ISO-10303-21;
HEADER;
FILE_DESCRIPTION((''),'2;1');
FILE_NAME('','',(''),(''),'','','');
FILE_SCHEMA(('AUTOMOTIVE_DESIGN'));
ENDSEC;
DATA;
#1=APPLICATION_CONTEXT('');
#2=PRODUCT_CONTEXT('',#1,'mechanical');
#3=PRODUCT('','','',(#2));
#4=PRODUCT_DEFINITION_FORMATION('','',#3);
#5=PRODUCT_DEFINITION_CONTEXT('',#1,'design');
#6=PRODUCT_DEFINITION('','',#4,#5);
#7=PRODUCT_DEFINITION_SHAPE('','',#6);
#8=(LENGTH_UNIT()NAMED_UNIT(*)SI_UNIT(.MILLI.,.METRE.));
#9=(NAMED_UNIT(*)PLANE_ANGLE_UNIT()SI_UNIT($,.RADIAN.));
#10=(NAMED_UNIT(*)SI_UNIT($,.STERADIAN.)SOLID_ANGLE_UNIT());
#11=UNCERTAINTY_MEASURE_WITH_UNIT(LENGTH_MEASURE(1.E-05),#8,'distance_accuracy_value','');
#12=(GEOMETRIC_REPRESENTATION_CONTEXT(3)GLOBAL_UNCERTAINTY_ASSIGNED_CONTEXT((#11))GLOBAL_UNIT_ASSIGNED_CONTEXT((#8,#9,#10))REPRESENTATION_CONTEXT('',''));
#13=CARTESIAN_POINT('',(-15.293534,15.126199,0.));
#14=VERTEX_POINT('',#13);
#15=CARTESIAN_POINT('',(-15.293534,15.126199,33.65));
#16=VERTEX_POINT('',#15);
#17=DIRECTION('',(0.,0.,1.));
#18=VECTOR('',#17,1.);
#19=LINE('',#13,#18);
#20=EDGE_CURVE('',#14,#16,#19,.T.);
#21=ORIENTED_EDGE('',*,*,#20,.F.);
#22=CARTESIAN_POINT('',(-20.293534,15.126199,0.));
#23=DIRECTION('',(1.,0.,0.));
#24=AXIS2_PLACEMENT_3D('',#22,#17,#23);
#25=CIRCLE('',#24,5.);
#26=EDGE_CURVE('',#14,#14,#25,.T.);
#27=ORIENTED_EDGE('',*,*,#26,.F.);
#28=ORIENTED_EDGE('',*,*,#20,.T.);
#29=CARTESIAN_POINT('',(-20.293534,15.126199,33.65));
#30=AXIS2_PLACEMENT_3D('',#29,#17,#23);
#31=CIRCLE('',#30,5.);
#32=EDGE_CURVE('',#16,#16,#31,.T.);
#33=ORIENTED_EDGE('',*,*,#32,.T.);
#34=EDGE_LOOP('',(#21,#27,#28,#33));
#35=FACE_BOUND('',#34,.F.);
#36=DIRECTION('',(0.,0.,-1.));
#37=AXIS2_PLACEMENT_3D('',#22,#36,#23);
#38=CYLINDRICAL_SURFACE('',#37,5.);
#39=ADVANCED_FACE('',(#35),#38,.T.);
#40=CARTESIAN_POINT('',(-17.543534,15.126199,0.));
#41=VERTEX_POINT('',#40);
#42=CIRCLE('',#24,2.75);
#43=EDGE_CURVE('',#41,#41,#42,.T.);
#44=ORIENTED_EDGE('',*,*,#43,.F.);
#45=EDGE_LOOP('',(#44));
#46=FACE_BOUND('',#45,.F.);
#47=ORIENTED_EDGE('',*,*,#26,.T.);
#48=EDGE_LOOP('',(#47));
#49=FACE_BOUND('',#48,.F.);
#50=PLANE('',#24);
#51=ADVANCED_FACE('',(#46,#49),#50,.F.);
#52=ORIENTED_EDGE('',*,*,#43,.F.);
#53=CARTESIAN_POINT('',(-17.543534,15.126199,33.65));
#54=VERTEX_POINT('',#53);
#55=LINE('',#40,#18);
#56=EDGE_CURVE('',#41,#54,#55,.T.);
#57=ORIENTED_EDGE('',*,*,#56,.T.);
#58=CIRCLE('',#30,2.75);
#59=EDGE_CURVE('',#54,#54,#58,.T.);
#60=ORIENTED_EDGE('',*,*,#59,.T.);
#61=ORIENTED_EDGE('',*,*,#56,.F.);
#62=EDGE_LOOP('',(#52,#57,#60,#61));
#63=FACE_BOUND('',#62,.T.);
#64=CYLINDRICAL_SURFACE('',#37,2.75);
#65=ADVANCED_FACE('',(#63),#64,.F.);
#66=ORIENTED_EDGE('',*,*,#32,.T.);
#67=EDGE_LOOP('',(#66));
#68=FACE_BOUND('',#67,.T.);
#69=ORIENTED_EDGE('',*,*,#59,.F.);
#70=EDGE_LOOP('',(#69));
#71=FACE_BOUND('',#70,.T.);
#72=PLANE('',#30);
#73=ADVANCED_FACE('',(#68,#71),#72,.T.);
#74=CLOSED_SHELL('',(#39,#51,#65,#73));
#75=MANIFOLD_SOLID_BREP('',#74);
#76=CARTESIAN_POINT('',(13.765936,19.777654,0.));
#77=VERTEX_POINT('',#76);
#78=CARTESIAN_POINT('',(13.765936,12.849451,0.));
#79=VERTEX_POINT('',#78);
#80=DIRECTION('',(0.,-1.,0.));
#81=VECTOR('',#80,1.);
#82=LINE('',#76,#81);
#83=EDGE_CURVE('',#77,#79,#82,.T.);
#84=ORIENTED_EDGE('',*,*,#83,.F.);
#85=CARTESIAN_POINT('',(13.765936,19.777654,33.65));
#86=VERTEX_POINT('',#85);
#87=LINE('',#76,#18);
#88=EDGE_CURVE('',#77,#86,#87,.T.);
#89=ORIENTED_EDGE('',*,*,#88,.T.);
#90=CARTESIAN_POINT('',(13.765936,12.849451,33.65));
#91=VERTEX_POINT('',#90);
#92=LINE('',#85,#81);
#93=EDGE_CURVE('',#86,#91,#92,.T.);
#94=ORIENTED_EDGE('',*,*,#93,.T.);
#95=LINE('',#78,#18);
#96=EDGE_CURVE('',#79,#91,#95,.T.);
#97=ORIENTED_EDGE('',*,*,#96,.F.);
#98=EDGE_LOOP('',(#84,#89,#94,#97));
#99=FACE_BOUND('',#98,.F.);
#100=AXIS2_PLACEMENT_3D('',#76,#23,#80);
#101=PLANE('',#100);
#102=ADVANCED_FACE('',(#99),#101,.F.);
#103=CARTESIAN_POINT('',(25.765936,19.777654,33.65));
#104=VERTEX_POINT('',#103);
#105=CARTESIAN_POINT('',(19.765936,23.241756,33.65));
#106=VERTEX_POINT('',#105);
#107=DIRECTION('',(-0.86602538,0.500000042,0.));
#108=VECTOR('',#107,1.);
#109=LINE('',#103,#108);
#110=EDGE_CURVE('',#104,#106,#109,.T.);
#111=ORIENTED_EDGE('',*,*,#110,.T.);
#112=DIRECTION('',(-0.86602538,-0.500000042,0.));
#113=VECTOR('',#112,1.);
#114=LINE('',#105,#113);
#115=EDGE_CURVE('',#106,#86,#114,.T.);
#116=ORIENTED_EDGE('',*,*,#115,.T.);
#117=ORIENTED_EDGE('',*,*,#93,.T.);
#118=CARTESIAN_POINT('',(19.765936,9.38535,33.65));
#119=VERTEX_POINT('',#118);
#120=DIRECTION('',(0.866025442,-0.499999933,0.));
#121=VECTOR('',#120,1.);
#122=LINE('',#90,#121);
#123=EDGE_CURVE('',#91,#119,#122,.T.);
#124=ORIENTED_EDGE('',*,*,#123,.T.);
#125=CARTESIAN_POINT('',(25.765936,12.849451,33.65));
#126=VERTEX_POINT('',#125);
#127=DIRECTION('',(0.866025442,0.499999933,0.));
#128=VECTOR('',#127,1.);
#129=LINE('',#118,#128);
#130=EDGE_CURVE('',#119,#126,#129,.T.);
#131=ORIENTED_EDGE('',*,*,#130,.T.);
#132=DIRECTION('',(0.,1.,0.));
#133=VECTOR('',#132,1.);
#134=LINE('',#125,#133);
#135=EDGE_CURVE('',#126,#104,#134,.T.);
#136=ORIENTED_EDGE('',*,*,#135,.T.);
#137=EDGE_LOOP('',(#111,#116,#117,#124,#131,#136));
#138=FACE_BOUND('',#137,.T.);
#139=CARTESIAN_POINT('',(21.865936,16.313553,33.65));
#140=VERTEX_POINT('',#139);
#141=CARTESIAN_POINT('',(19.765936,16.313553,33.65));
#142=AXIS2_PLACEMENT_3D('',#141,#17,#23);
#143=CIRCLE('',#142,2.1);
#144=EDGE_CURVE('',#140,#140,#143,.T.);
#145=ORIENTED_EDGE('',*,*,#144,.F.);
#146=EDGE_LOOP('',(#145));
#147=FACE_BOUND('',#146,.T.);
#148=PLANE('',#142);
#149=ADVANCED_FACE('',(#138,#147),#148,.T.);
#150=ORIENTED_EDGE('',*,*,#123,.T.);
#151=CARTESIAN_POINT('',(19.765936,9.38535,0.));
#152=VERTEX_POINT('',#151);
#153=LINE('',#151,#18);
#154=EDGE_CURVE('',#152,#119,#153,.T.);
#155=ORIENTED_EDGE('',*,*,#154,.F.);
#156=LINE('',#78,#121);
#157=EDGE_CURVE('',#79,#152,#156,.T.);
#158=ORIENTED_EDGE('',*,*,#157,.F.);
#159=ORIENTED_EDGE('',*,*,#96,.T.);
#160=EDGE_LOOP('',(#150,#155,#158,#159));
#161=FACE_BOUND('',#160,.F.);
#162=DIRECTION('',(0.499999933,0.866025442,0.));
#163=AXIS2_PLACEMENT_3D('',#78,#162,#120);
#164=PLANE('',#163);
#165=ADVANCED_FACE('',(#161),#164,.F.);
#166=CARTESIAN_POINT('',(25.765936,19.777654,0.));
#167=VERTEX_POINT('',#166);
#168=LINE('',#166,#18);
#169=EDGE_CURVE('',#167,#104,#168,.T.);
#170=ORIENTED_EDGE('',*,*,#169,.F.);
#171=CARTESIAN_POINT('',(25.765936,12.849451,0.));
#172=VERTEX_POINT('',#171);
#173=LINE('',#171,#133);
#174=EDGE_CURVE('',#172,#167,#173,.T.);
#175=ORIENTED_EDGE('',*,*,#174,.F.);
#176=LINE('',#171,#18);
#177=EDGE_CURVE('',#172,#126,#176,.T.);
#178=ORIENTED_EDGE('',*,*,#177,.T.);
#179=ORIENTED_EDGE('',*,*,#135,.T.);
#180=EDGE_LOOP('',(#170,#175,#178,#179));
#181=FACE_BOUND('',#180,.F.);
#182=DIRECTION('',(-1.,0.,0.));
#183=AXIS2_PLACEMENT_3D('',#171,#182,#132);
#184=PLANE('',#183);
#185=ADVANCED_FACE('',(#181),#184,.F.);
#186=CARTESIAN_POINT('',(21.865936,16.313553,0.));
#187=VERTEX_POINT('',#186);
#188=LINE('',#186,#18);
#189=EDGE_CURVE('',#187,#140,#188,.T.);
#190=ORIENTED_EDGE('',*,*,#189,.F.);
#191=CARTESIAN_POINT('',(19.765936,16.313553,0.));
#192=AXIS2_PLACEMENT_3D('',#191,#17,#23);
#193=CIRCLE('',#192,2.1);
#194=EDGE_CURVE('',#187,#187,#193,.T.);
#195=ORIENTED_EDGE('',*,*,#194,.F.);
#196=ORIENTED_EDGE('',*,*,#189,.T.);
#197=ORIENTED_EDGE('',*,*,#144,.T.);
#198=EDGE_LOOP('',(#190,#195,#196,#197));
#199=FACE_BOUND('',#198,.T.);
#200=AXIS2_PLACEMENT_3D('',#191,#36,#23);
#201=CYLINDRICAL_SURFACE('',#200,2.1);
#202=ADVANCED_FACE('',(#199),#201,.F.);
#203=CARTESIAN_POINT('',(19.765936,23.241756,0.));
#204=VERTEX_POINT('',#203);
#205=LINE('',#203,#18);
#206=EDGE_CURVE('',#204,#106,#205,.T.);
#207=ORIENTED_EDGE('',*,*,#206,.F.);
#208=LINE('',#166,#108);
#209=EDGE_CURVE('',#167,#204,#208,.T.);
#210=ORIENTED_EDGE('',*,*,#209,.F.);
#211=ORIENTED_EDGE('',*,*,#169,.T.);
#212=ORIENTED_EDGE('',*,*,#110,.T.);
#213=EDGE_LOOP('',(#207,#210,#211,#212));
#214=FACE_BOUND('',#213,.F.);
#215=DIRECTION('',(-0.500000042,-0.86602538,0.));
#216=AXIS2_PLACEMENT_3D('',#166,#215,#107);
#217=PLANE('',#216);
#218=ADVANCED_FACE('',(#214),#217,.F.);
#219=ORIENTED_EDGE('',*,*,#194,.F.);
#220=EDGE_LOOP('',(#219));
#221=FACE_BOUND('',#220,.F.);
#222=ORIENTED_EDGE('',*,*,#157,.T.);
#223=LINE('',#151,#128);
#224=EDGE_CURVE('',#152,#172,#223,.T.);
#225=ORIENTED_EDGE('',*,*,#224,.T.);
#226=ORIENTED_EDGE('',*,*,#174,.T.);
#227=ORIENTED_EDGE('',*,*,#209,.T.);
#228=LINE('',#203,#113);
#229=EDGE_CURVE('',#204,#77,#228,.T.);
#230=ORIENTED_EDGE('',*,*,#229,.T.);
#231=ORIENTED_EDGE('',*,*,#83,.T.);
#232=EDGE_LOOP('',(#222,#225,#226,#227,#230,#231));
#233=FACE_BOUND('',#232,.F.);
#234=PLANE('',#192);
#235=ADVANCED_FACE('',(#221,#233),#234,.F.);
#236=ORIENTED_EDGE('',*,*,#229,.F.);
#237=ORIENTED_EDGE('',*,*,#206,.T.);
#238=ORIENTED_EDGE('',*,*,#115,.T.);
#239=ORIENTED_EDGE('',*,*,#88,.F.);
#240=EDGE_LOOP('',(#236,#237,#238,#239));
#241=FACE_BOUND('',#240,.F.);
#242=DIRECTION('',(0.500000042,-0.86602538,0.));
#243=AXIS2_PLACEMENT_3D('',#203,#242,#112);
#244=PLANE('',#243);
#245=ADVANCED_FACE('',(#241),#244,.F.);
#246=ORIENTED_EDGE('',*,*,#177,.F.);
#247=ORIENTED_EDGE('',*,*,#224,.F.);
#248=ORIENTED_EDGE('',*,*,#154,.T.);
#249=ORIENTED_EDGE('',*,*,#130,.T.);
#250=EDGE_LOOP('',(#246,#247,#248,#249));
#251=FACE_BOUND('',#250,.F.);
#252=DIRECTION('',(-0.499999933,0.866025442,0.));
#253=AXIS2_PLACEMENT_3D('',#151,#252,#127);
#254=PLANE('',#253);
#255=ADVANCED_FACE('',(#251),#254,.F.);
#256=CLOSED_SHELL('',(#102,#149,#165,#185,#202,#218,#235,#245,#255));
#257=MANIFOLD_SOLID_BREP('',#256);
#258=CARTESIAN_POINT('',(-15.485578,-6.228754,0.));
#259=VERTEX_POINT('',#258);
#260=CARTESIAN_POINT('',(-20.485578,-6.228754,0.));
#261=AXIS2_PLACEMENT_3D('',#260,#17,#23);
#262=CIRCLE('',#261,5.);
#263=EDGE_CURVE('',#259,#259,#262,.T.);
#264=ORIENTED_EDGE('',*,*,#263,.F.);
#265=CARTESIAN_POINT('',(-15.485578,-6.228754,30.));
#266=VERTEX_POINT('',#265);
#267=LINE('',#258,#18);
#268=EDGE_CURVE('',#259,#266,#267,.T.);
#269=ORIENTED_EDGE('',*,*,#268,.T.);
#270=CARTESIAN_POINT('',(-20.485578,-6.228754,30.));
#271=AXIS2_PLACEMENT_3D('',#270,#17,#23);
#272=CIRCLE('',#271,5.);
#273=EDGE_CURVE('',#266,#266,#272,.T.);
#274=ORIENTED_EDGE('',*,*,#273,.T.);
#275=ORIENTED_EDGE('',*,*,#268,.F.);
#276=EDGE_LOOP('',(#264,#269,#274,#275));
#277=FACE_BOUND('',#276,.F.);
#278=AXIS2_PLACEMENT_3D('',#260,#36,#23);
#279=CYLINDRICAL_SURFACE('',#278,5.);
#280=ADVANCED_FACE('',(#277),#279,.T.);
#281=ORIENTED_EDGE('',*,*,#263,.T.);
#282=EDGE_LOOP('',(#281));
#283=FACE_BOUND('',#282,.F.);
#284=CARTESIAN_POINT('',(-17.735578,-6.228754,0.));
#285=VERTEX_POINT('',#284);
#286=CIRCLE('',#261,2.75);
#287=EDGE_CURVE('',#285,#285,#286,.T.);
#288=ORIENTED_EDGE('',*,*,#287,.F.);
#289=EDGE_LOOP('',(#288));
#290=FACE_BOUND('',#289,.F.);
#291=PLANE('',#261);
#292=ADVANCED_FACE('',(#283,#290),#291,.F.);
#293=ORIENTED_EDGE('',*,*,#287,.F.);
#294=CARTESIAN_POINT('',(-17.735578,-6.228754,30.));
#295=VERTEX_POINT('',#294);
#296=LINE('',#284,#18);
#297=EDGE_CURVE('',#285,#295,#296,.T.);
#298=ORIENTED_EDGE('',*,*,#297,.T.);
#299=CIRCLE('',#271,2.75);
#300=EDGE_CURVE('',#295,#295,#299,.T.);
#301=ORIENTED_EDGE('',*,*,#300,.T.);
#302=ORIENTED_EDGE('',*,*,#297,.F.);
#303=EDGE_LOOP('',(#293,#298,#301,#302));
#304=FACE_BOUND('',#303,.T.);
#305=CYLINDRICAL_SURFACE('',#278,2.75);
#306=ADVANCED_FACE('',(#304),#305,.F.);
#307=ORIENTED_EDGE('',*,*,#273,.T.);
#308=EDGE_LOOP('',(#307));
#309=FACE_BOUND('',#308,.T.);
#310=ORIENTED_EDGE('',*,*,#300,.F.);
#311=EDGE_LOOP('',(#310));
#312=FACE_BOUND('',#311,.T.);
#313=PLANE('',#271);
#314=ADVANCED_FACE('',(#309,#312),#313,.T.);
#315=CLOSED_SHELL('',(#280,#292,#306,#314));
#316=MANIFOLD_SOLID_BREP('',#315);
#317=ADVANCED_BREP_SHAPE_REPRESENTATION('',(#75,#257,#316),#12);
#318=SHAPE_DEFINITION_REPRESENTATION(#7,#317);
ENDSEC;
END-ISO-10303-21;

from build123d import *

# Parameters (mm, degrees)
F0_R     = 5
F0_R_2   = 2.75
F1_DEPTH = 33.65
F2_R     = 5
F2_R_2   = 2.75
F3_DEPTH = 30
F4_R     = 2.1
F5_DEPTH = 33.65


with BuildPart() as f1:
    # F0 (on Top) → F1 (new body)
    with BuildSketch(Plane.XY):
        with Locations((-20.293534, 15.126199)):
            Circle(F0_R)
        with Locations((-20.293534, 15.126199)):
            Circle(F0_R_2, mode=Mode.SUBTRACT)
    extrude(amount=F1_DEPTH)


with BuildPart() as f3:
    # F2 (on Top) → F3 (new body)
    with BuildSketch(Plane.XY):
        with Locations((-20.485578, -6.228754)):
            Circle(F2_R)
        with Locations((-20.485578, -6.228754)):
            Circle(F2_R_2, mode=Mode.SUBTRACT)
    extrude(amount=F3_DEPTH)


with BuildPart() as f5:
    # F4 (on Top) → F5 (new body)
    with BuildSketch(Plane.XY):
        Polygon((25.765936, 12.849451), (25.765936, 19.777654), (19.765936, 23.241756), (13.765936, 19.777654), (13.765936, 12.849451), (19.765936, 9.38535), align=None)
        with Locations((19.765936, 16.313553)):
            Circle(F4_R, mode=Mode.SUBTRACT)
    extrude(amount=F5_DEPTH)


solid = Compound([f1.part, f3.part, f5.part])
